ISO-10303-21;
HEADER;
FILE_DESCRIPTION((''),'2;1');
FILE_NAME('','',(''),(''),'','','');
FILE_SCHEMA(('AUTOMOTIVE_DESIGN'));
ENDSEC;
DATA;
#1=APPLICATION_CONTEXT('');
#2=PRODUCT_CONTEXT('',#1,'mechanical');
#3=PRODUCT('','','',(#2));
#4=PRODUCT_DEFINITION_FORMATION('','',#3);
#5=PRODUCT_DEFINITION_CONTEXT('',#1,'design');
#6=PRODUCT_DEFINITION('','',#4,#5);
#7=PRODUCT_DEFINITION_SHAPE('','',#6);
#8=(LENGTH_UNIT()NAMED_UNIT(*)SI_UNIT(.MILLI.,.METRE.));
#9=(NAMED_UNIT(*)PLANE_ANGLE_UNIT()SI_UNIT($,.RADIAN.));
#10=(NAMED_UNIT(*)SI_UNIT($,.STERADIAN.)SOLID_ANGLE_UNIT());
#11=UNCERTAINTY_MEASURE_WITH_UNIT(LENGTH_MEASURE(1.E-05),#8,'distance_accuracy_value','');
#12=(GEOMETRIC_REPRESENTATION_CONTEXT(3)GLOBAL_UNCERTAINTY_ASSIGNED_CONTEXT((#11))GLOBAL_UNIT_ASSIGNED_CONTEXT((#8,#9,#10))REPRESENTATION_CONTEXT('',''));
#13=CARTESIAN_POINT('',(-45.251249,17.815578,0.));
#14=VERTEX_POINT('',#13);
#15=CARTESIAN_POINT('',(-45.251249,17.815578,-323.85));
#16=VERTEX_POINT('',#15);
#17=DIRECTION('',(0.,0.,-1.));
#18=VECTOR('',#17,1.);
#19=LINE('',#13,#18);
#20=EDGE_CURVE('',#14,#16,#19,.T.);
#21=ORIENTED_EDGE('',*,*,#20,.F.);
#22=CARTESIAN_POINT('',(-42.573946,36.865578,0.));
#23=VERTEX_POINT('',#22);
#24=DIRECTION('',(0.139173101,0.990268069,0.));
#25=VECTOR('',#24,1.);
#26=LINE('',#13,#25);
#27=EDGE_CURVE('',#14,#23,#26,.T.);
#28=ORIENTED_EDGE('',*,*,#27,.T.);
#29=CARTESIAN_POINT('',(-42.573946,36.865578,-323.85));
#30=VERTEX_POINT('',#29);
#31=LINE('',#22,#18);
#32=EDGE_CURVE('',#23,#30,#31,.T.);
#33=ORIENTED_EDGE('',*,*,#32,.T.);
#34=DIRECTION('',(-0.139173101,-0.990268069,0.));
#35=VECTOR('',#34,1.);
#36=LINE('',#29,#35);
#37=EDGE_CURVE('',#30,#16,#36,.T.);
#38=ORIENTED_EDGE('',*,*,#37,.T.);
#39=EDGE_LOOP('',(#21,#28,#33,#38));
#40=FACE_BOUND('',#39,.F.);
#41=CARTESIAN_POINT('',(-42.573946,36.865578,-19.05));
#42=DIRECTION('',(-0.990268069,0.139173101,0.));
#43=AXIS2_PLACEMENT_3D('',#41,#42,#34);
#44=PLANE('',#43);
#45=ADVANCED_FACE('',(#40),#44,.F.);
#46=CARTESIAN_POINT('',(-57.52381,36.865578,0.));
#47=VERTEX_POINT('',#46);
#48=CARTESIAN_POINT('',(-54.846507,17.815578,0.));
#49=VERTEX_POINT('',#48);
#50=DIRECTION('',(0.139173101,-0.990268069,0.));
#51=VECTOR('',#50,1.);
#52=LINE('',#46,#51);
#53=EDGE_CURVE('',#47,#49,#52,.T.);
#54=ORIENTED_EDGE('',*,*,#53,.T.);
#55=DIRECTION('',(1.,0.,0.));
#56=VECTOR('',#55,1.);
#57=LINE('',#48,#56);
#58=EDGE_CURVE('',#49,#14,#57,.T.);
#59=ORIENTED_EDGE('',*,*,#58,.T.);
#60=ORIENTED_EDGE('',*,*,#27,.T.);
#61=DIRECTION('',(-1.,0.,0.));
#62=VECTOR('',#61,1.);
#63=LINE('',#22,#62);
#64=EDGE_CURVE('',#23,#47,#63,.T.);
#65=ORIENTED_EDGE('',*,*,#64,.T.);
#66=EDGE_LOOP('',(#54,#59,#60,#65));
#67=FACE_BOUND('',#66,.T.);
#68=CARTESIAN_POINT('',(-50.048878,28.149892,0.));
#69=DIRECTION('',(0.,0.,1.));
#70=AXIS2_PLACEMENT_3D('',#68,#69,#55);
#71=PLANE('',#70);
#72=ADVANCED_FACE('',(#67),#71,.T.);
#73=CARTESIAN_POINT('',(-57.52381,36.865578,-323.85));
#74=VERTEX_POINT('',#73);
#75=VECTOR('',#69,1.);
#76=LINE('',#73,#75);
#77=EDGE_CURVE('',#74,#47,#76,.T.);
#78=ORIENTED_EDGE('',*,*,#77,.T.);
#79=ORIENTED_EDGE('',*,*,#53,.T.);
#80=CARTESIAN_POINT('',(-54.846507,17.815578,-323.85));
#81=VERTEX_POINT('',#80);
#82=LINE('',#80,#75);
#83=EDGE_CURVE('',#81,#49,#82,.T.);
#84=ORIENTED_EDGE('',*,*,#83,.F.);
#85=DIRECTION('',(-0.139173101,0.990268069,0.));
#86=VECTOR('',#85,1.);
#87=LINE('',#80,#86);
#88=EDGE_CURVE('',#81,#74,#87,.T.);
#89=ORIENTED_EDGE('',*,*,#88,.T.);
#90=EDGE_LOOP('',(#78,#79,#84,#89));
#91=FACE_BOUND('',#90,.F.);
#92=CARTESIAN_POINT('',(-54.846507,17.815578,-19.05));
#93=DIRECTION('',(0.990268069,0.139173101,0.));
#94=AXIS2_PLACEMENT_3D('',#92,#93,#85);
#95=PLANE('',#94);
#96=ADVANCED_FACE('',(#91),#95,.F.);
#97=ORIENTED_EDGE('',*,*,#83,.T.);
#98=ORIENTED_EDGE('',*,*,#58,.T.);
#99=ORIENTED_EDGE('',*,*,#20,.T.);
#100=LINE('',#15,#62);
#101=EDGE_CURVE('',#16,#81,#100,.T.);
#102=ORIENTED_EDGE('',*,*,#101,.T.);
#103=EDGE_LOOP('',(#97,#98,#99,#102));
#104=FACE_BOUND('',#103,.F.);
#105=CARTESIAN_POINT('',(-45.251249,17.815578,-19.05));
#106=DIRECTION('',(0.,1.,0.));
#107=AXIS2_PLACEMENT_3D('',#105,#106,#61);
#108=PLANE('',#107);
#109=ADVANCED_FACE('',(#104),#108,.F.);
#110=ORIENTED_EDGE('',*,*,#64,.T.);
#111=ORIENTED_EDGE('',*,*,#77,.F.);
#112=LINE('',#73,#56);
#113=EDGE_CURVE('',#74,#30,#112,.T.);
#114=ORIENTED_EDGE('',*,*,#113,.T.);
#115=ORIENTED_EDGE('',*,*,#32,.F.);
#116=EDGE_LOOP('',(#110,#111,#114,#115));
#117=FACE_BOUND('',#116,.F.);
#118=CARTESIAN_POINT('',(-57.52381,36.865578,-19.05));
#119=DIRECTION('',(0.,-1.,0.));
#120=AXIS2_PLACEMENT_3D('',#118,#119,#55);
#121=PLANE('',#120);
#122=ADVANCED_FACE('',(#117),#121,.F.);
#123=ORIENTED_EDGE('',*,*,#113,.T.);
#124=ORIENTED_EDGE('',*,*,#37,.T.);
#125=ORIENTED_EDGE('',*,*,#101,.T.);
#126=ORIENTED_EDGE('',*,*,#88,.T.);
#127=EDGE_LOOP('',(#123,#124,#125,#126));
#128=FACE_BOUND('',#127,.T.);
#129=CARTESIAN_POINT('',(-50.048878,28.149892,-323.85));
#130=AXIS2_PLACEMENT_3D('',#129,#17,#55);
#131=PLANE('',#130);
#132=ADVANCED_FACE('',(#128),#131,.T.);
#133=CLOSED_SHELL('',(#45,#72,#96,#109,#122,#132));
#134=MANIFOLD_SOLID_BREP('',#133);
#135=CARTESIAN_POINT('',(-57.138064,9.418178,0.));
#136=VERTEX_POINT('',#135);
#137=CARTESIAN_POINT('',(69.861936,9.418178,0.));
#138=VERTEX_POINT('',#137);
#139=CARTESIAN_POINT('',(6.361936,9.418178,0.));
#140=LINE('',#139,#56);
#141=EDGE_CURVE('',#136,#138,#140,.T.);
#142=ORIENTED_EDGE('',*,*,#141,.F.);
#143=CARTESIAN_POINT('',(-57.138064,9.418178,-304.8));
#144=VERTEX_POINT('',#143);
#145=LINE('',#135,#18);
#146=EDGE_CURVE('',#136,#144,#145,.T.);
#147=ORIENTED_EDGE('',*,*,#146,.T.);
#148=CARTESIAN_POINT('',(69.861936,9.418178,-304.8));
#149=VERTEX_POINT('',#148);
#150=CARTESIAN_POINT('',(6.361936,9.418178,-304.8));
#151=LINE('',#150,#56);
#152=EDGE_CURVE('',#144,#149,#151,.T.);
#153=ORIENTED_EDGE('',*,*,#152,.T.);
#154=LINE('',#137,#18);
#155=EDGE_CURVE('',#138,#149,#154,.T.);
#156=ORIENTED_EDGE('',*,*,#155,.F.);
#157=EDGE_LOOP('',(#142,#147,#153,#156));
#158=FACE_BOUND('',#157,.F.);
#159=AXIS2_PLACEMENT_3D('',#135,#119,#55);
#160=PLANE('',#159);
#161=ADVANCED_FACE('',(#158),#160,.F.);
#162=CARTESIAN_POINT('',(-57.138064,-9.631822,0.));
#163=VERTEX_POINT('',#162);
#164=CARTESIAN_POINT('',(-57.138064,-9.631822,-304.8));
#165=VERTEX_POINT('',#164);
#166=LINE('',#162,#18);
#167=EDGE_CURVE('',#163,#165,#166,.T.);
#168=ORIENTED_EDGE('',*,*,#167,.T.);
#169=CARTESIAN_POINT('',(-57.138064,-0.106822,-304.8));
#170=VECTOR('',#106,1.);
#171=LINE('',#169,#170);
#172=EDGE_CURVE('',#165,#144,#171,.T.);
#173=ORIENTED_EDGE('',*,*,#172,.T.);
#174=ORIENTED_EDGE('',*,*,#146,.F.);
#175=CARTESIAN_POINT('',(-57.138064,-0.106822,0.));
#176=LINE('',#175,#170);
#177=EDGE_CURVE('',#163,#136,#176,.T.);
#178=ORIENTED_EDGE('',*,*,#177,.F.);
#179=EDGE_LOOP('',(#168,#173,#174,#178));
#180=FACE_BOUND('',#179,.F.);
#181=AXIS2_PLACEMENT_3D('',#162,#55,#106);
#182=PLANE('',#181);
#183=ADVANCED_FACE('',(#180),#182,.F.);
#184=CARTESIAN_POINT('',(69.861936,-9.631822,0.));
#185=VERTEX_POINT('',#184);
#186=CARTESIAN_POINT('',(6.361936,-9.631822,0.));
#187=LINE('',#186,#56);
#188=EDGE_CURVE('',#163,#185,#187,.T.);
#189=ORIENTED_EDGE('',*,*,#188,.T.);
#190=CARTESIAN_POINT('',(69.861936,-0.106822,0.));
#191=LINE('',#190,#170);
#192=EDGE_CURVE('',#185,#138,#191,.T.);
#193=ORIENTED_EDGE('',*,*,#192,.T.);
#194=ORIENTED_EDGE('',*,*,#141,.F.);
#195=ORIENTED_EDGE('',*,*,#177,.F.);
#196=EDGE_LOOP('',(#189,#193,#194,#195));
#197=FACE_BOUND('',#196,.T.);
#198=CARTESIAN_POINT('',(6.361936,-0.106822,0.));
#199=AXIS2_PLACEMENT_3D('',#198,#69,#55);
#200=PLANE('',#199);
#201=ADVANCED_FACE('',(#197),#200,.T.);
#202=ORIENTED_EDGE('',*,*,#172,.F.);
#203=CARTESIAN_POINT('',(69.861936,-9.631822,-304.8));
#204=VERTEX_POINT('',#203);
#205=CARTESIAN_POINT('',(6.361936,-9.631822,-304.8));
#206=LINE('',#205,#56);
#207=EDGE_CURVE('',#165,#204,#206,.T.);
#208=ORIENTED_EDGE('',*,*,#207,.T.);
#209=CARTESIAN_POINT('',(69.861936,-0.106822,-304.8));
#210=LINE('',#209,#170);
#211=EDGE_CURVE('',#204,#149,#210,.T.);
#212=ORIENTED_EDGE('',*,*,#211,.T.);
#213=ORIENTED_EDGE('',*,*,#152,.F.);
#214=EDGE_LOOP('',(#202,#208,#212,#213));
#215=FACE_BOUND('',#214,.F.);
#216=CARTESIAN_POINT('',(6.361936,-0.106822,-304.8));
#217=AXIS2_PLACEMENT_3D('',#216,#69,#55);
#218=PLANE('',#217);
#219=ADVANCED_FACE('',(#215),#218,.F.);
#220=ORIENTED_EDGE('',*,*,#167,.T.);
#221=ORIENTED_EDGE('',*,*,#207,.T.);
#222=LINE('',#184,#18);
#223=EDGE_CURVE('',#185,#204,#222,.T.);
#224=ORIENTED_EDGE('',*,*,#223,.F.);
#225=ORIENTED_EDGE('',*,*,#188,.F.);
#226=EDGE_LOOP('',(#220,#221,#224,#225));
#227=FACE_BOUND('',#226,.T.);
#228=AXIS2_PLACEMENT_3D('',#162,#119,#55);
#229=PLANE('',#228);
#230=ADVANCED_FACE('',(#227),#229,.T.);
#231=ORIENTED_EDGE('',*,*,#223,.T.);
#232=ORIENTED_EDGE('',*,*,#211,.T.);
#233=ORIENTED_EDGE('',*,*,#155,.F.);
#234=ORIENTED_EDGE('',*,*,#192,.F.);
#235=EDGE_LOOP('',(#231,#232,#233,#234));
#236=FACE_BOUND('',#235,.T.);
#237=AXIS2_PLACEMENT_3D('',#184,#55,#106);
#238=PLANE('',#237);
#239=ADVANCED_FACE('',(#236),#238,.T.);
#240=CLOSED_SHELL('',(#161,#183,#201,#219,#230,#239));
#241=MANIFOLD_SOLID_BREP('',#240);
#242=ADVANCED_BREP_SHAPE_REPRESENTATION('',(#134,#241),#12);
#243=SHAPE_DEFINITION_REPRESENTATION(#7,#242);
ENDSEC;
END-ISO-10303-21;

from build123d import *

# Parameters (mm, degrees)
F1_DEPTH = 19.05
F2_W     = 127
F2_H     = 19.05
F3_DEPTH = 304.8


with BuildPart() as f1:
    # F0 (on Top) → F1 (new body)
    with BuildSketch(Plane.XY):
        Polygon((-42.5739462912, 36.8655781599), (-57.5238098064, 36.8655781599), (-54.8465069053, 17.8155781599), (-45.2512491923, 17.8155781599), align=None)
    extrude(amount=-F1_DEPTH)

    # F1_face (on face) + F2 (on Top) → F3 (join)
    with BuildSketch(Plane(origin=(-50.0488780488, 28.0332157421, -19.05), x_dir=(1, 0, 0), z_dir=(0, 0, -1))):
        Polygon((-7.4749317576, -8.8323624178), (7.4749317576, -8.8323624178), (4.7976288565, 10.2176375822), (-4.7976288565, 10.2176375822), align=None)
    with BuildSketch(Plane.XY):
        with Locations((6.3619359234, -0.1068222336)):
            Rectangle(F2_W, F2_H)
    extrude(amount=F3_DEPTH, dir=(0, 0, -1))


solid = f1.part
